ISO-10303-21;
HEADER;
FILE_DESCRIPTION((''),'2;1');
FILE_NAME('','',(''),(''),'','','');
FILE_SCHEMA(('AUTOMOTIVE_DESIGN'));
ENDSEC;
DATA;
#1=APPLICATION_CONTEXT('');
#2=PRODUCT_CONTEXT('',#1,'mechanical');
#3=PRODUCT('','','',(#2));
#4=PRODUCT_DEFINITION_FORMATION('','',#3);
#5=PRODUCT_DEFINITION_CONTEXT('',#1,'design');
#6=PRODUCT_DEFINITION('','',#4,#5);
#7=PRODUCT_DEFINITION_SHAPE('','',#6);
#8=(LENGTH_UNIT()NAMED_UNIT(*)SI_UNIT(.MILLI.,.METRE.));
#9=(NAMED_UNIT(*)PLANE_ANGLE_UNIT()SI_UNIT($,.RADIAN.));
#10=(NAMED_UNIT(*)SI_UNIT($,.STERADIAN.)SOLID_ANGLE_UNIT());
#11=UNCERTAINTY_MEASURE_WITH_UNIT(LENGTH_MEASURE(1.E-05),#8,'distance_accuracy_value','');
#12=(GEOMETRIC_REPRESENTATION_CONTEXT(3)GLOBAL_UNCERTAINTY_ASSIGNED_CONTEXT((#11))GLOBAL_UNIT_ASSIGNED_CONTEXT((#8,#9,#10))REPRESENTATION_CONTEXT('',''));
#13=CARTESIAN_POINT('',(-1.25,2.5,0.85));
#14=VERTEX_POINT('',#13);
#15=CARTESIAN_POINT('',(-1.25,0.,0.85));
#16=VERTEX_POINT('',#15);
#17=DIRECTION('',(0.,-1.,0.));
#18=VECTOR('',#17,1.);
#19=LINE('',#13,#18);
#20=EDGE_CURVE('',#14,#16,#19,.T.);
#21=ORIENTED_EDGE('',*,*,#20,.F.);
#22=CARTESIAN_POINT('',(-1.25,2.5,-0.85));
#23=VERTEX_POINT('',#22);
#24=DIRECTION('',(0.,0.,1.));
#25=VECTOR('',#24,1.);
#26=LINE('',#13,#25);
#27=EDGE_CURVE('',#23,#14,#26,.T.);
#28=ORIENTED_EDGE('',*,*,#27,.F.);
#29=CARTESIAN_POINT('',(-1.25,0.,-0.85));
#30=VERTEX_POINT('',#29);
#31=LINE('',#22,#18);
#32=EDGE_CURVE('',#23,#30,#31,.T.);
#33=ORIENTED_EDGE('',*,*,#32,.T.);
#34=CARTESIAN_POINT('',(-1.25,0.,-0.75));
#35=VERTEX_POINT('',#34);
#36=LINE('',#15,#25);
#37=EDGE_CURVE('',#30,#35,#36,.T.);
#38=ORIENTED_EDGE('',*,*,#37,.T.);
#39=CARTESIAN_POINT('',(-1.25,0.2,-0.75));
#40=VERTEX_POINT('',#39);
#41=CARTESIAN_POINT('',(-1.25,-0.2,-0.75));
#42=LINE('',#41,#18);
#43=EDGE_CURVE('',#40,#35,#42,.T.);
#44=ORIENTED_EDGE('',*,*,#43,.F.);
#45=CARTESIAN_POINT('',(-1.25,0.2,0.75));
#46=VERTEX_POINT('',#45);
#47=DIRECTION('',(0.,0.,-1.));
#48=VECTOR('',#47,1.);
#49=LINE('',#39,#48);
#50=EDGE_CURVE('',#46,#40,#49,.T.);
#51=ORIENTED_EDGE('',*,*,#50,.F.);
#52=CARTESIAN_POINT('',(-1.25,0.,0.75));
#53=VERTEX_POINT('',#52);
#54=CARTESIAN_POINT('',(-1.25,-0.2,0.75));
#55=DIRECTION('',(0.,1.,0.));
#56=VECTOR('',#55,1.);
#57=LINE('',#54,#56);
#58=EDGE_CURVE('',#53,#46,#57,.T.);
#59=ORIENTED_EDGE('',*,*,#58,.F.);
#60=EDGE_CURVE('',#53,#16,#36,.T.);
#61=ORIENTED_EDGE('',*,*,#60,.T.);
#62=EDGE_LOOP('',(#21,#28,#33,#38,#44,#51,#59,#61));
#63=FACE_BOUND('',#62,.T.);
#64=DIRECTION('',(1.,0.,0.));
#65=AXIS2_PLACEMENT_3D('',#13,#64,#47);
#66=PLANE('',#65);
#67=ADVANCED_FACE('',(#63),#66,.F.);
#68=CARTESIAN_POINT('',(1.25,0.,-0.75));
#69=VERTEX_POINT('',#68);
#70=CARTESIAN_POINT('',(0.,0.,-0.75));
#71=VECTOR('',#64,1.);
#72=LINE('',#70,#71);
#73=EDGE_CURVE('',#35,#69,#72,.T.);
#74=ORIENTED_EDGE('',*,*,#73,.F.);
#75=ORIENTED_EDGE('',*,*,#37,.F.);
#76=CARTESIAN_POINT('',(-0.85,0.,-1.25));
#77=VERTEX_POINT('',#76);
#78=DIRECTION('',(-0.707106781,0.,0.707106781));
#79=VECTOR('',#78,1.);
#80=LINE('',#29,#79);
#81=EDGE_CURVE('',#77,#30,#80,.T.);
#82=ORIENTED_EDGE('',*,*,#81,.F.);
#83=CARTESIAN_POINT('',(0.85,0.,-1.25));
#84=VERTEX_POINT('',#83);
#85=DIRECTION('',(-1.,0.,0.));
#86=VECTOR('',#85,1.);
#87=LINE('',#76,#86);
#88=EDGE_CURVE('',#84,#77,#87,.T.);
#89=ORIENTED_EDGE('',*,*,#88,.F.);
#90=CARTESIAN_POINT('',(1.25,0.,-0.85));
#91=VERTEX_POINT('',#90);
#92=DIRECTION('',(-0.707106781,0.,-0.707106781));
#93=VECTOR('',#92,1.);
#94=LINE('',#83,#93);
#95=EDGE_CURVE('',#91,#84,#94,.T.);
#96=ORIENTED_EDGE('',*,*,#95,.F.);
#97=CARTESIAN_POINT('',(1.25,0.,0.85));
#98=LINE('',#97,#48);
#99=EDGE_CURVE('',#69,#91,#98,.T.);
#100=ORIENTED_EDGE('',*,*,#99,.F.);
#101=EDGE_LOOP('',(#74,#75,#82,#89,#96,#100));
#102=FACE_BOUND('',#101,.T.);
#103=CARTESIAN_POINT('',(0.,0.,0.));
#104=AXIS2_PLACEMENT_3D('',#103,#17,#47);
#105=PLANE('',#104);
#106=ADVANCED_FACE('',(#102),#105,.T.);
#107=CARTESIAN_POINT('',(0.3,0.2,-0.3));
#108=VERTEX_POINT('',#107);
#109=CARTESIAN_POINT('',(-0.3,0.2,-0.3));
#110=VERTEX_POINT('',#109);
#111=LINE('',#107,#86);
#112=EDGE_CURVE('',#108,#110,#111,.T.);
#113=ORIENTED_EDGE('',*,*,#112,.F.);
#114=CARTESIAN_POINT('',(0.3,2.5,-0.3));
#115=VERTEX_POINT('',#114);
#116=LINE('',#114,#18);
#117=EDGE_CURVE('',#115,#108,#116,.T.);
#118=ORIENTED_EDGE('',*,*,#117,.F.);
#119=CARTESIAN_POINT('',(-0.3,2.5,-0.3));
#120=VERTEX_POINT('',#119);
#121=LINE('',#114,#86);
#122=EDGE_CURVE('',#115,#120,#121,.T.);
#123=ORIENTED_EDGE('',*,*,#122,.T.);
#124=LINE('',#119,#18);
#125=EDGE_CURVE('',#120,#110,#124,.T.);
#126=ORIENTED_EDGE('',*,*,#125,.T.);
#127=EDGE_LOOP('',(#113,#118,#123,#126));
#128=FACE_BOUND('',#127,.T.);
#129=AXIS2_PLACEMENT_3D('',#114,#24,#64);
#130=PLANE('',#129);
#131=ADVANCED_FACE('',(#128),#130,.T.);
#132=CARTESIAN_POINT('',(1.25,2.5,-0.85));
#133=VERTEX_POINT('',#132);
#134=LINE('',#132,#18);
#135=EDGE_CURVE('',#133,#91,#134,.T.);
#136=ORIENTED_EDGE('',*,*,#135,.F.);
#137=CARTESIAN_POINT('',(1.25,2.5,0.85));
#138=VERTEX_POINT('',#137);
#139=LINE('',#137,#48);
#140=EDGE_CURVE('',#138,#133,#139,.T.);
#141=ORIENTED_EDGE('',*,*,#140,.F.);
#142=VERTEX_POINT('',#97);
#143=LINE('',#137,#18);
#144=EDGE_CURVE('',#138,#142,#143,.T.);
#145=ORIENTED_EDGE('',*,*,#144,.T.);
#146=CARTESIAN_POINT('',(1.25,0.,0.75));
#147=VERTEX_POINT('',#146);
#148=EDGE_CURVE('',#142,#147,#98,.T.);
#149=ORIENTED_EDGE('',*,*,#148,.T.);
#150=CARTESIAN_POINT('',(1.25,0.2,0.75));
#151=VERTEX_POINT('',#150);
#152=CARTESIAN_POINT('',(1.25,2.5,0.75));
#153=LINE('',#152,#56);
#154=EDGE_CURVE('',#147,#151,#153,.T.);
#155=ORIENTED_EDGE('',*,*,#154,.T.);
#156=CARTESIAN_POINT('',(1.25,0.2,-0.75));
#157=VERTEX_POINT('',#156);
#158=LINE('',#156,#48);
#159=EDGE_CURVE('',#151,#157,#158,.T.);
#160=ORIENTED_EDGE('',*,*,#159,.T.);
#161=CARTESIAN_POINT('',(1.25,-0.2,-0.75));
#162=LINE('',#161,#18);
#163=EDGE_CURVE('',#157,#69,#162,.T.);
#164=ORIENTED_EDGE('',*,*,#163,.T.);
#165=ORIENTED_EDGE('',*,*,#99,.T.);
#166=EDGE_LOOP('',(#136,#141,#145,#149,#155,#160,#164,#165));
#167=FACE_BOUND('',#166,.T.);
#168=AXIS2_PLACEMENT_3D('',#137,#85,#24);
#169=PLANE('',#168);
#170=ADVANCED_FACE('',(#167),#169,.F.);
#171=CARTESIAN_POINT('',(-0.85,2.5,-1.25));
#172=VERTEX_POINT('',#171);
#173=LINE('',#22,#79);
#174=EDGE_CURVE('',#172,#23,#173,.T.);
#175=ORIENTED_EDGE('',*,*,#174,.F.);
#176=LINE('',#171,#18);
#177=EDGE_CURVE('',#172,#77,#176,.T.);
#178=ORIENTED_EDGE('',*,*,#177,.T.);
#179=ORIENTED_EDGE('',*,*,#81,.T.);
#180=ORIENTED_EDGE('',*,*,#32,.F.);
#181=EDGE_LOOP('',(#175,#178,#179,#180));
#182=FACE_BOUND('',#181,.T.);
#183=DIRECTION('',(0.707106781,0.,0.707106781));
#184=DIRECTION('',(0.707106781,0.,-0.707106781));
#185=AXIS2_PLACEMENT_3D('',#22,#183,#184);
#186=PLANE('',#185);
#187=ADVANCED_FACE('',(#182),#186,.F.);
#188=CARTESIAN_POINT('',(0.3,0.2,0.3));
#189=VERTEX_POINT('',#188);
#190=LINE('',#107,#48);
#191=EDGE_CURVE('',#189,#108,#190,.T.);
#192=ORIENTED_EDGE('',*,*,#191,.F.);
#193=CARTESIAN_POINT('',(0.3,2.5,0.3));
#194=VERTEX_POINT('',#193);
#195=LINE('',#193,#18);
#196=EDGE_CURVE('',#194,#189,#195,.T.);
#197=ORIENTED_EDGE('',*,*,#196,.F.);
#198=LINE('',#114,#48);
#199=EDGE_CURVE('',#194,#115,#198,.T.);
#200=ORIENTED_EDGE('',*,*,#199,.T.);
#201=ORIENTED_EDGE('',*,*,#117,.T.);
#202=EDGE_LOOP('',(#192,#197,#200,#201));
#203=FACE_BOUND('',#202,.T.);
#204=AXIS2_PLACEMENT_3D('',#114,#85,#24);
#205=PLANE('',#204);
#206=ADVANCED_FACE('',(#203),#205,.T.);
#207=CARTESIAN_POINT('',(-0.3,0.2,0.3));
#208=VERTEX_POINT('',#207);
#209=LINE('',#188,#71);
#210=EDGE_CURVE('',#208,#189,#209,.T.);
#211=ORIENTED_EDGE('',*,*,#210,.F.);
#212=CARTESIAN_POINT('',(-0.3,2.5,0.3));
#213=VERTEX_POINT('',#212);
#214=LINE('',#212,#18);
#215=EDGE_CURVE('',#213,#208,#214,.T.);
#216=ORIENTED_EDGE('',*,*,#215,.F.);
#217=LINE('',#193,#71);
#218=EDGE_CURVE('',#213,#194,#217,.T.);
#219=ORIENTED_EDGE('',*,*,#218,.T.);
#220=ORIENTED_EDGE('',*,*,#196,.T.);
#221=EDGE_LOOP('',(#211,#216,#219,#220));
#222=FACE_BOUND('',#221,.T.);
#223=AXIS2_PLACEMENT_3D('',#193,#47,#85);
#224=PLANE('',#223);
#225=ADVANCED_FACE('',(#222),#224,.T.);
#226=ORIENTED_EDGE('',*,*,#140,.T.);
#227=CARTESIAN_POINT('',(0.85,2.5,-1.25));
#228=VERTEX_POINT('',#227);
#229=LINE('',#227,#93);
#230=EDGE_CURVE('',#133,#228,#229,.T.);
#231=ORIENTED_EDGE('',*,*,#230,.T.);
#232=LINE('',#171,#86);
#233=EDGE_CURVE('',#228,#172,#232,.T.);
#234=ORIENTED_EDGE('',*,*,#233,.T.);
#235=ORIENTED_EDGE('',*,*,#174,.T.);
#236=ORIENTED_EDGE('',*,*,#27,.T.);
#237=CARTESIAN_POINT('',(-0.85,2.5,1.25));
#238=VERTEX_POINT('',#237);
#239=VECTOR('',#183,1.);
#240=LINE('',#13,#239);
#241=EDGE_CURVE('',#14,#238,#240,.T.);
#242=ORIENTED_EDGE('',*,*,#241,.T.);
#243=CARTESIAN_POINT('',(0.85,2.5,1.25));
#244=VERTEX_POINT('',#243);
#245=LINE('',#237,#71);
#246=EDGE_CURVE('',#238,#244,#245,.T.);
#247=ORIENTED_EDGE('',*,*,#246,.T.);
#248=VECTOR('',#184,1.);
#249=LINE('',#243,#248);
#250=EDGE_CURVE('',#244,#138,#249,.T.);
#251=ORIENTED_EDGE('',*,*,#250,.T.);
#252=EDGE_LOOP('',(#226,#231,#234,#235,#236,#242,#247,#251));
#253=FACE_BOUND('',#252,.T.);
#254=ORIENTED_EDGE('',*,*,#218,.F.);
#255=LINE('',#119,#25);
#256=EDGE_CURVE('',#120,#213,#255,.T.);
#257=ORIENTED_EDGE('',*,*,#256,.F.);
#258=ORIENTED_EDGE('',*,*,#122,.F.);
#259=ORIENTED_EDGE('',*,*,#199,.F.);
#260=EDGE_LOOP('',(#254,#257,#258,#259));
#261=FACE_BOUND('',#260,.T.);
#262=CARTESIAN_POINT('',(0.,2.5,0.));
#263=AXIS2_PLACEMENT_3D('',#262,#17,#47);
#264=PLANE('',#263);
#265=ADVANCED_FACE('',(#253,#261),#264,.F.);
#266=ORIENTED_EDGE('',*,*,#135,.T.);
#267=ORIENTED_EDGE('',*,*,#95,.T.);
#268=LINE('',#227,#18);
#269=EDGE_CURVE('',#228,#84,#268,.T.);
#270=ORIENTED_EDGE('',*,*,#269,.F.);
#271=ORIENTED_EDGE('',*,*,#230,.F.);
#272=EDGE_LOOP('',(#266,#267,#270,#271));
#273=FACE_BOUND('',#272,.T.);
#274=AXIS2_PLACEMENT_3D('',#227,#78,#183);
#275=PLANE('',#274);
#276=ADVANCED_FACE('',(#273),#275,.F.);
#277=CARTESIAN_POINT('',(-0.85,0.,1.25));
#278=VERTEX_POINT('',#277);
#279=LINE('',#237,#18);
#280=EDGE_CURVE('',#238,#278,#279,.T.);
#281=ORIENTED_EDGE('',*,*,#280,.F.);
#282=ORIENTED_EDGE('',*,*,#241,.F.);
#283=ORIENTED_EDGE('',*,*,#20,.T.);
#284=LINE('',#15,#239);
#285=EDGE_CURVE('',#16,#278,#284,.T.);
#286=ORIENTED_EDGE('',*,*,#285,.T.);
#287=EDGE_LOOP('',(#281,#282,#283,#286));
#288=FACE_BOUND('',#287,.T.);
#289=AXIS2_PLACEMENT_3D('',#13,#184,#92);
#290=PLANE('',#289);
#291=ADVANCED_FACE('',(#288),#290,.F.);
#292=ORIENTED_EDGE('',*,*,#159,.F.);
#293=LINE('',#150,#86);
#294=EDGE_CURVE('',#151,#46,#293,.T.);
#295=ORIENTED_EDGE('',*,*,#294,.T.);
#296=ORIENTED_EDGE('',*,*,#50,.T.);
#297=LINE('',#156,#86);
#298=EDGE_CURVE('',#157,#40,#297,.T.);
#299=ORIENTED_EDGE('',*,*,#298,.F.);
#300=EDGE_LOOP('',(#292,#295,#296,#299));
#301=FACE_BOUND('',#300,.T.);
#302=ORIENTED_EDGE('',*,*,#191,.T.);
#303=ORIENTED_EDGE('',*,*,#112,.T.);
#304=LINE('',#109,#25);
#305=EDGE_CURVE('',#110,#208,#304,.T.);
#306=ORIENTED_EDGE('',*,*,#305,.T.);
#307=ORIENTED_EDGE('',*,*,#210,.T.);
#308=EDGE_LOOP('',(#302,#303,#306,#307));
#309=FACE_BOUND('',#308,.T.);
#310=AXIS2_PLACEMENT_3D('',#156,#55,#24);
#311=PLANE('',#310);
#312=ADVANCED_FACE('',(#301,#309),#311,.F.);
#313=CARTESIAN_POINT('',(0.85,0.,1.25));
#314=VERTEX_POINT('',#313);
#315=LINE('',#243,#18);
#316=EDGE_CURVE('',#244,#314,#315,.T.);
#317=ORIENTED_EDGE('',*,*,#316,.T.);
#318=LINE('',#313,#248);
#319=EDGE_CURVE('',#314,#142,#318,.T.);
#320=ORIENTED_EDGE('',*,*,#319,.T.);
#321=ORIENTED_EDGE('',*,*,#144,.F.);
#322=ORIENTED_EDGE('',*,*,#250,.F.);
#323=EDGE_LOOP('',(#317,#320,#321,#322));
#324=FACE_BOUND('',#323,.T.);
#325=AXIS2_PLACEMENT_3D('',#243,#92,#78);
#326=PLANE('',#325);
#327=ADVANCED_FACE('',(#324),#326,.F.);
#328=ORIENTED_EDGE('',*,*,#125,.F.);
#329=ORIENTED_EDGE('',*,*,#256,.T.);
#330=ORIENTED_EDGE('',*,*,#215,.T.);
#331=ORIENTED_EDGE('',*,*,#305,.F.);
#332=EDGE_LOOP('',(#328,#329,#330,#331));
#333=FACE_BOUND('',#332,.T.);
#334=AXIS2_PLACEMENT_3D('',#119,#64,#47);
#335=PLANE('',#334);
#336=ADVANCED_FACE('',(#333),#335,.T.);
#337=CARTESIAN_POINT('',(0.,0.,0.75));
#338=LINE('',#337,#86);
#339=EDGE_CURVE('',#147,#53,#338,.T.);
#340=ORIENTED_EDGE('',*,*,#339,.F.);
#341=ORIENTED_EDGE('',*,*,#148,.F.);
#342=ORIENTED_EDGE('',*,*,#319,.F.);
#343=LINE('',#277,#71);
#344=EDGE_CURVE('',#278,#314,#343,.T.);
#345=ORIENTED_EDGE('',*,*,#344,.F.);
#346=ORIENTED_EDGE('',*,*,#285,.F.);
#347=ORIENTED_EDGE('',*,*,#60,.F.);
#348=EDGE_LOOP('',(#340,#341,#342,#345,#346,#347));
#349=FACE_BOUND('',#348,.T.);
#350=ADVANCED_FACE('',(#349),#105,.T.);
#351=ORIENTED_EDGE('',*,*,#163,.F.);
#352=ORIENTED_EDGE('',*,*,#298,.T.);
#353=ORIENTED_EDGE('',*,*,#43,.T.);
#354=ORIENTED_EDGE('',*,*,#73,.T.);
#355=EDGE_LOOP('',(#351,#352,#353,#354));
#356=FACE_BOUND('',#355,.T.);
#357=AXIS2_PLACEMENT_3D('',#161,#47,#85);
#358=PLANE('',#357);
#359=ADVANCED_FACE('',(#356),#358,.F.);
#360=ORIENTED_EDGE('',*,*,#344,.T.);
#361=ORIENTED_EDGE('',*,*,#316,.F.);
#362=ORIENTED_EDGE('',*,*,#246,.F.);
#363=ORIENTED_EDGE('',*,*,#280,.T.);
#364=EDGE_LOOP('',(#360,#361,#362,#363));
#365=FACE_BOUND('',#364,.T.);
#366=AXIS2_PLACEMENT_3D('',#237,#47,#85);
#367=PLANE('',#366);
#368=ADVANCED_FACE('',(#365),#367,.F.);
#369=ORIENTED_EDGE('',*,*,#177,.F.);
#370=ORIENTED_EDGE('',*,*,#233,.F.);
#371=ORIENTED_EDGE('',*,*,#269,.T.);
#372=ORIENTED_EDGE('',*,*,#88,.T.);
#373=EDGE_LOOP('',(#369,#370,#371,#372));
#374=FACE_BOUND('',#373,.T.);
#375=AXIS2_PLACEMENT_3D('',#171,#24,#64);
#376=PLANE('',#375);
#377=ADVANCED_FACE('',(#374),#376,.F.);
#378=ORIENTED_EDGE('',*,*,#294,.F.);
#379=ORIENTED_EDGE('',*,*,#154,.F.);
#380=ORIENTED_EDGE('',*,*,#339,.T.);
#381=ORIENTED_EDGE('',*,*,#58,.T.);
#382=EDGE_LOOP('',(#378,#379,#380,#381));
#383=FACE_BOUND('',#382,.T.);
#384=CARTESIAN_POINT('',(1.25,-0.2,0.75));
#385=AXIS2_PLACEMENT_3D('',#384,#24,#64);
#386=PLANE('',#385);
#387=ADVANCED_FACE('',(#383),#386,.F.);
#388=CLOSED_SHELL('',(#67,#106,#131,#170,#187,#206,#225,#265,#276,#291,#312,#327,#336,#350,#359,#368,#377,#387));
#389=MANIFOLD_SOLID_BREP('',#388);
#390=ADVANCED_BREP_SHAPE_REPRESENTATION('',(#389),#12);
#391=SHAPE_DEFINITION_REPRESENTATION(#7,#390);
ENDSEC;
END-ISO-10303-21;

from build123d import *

# Parameters (mm, degrees)
ESQUISSE1_W             = 0.6
ESQUISSE1_H             = 0.6
BOSS_EXTRU_1_DEPTH      = 2.5
ESQUISSE2_W             = 1.5
ESQUISSE2_H             = 0.4
ENL_V_MAT_EXTRU_1_DEPTH = 3.5


with BuildPart() as part:
    # Esquisse1 → Boss.-Extru.1 (new body)
    with BuildSketch(Plane(origin=(0, 0, 0), x_dir=(1, 0, 0), z_dir=(0, 1, 0))):
        Polygon((-1.25, 0.85), (-0.85, 1.25), (0.85, 1.25), (1.25, 0.85), (1.25, -0.85), (0.85, -1.25), (-0.85, -1.25), (-1.25, -0.85), align=None)
        Rectangle(ESQUISSE1_W, ESQUISSE1_H, mode=Mode.SUBTRACT)
    extrude(amount=BOSS_EXTRU_1_DEPTH)

    # Esquisse2 → Enlèv. mat.-Extru.1 (cut, through all)
    with BuildSketch(Plane.ZY.offset(1.25)):
        Rectangle(ESQUISSE2_W, ESQUISSE2_H)
    extrude(amount=-ENL_V_MAT_EXTRU_1_DEPTH, mode=Mode.SUBTRACT)


solid = part.part
